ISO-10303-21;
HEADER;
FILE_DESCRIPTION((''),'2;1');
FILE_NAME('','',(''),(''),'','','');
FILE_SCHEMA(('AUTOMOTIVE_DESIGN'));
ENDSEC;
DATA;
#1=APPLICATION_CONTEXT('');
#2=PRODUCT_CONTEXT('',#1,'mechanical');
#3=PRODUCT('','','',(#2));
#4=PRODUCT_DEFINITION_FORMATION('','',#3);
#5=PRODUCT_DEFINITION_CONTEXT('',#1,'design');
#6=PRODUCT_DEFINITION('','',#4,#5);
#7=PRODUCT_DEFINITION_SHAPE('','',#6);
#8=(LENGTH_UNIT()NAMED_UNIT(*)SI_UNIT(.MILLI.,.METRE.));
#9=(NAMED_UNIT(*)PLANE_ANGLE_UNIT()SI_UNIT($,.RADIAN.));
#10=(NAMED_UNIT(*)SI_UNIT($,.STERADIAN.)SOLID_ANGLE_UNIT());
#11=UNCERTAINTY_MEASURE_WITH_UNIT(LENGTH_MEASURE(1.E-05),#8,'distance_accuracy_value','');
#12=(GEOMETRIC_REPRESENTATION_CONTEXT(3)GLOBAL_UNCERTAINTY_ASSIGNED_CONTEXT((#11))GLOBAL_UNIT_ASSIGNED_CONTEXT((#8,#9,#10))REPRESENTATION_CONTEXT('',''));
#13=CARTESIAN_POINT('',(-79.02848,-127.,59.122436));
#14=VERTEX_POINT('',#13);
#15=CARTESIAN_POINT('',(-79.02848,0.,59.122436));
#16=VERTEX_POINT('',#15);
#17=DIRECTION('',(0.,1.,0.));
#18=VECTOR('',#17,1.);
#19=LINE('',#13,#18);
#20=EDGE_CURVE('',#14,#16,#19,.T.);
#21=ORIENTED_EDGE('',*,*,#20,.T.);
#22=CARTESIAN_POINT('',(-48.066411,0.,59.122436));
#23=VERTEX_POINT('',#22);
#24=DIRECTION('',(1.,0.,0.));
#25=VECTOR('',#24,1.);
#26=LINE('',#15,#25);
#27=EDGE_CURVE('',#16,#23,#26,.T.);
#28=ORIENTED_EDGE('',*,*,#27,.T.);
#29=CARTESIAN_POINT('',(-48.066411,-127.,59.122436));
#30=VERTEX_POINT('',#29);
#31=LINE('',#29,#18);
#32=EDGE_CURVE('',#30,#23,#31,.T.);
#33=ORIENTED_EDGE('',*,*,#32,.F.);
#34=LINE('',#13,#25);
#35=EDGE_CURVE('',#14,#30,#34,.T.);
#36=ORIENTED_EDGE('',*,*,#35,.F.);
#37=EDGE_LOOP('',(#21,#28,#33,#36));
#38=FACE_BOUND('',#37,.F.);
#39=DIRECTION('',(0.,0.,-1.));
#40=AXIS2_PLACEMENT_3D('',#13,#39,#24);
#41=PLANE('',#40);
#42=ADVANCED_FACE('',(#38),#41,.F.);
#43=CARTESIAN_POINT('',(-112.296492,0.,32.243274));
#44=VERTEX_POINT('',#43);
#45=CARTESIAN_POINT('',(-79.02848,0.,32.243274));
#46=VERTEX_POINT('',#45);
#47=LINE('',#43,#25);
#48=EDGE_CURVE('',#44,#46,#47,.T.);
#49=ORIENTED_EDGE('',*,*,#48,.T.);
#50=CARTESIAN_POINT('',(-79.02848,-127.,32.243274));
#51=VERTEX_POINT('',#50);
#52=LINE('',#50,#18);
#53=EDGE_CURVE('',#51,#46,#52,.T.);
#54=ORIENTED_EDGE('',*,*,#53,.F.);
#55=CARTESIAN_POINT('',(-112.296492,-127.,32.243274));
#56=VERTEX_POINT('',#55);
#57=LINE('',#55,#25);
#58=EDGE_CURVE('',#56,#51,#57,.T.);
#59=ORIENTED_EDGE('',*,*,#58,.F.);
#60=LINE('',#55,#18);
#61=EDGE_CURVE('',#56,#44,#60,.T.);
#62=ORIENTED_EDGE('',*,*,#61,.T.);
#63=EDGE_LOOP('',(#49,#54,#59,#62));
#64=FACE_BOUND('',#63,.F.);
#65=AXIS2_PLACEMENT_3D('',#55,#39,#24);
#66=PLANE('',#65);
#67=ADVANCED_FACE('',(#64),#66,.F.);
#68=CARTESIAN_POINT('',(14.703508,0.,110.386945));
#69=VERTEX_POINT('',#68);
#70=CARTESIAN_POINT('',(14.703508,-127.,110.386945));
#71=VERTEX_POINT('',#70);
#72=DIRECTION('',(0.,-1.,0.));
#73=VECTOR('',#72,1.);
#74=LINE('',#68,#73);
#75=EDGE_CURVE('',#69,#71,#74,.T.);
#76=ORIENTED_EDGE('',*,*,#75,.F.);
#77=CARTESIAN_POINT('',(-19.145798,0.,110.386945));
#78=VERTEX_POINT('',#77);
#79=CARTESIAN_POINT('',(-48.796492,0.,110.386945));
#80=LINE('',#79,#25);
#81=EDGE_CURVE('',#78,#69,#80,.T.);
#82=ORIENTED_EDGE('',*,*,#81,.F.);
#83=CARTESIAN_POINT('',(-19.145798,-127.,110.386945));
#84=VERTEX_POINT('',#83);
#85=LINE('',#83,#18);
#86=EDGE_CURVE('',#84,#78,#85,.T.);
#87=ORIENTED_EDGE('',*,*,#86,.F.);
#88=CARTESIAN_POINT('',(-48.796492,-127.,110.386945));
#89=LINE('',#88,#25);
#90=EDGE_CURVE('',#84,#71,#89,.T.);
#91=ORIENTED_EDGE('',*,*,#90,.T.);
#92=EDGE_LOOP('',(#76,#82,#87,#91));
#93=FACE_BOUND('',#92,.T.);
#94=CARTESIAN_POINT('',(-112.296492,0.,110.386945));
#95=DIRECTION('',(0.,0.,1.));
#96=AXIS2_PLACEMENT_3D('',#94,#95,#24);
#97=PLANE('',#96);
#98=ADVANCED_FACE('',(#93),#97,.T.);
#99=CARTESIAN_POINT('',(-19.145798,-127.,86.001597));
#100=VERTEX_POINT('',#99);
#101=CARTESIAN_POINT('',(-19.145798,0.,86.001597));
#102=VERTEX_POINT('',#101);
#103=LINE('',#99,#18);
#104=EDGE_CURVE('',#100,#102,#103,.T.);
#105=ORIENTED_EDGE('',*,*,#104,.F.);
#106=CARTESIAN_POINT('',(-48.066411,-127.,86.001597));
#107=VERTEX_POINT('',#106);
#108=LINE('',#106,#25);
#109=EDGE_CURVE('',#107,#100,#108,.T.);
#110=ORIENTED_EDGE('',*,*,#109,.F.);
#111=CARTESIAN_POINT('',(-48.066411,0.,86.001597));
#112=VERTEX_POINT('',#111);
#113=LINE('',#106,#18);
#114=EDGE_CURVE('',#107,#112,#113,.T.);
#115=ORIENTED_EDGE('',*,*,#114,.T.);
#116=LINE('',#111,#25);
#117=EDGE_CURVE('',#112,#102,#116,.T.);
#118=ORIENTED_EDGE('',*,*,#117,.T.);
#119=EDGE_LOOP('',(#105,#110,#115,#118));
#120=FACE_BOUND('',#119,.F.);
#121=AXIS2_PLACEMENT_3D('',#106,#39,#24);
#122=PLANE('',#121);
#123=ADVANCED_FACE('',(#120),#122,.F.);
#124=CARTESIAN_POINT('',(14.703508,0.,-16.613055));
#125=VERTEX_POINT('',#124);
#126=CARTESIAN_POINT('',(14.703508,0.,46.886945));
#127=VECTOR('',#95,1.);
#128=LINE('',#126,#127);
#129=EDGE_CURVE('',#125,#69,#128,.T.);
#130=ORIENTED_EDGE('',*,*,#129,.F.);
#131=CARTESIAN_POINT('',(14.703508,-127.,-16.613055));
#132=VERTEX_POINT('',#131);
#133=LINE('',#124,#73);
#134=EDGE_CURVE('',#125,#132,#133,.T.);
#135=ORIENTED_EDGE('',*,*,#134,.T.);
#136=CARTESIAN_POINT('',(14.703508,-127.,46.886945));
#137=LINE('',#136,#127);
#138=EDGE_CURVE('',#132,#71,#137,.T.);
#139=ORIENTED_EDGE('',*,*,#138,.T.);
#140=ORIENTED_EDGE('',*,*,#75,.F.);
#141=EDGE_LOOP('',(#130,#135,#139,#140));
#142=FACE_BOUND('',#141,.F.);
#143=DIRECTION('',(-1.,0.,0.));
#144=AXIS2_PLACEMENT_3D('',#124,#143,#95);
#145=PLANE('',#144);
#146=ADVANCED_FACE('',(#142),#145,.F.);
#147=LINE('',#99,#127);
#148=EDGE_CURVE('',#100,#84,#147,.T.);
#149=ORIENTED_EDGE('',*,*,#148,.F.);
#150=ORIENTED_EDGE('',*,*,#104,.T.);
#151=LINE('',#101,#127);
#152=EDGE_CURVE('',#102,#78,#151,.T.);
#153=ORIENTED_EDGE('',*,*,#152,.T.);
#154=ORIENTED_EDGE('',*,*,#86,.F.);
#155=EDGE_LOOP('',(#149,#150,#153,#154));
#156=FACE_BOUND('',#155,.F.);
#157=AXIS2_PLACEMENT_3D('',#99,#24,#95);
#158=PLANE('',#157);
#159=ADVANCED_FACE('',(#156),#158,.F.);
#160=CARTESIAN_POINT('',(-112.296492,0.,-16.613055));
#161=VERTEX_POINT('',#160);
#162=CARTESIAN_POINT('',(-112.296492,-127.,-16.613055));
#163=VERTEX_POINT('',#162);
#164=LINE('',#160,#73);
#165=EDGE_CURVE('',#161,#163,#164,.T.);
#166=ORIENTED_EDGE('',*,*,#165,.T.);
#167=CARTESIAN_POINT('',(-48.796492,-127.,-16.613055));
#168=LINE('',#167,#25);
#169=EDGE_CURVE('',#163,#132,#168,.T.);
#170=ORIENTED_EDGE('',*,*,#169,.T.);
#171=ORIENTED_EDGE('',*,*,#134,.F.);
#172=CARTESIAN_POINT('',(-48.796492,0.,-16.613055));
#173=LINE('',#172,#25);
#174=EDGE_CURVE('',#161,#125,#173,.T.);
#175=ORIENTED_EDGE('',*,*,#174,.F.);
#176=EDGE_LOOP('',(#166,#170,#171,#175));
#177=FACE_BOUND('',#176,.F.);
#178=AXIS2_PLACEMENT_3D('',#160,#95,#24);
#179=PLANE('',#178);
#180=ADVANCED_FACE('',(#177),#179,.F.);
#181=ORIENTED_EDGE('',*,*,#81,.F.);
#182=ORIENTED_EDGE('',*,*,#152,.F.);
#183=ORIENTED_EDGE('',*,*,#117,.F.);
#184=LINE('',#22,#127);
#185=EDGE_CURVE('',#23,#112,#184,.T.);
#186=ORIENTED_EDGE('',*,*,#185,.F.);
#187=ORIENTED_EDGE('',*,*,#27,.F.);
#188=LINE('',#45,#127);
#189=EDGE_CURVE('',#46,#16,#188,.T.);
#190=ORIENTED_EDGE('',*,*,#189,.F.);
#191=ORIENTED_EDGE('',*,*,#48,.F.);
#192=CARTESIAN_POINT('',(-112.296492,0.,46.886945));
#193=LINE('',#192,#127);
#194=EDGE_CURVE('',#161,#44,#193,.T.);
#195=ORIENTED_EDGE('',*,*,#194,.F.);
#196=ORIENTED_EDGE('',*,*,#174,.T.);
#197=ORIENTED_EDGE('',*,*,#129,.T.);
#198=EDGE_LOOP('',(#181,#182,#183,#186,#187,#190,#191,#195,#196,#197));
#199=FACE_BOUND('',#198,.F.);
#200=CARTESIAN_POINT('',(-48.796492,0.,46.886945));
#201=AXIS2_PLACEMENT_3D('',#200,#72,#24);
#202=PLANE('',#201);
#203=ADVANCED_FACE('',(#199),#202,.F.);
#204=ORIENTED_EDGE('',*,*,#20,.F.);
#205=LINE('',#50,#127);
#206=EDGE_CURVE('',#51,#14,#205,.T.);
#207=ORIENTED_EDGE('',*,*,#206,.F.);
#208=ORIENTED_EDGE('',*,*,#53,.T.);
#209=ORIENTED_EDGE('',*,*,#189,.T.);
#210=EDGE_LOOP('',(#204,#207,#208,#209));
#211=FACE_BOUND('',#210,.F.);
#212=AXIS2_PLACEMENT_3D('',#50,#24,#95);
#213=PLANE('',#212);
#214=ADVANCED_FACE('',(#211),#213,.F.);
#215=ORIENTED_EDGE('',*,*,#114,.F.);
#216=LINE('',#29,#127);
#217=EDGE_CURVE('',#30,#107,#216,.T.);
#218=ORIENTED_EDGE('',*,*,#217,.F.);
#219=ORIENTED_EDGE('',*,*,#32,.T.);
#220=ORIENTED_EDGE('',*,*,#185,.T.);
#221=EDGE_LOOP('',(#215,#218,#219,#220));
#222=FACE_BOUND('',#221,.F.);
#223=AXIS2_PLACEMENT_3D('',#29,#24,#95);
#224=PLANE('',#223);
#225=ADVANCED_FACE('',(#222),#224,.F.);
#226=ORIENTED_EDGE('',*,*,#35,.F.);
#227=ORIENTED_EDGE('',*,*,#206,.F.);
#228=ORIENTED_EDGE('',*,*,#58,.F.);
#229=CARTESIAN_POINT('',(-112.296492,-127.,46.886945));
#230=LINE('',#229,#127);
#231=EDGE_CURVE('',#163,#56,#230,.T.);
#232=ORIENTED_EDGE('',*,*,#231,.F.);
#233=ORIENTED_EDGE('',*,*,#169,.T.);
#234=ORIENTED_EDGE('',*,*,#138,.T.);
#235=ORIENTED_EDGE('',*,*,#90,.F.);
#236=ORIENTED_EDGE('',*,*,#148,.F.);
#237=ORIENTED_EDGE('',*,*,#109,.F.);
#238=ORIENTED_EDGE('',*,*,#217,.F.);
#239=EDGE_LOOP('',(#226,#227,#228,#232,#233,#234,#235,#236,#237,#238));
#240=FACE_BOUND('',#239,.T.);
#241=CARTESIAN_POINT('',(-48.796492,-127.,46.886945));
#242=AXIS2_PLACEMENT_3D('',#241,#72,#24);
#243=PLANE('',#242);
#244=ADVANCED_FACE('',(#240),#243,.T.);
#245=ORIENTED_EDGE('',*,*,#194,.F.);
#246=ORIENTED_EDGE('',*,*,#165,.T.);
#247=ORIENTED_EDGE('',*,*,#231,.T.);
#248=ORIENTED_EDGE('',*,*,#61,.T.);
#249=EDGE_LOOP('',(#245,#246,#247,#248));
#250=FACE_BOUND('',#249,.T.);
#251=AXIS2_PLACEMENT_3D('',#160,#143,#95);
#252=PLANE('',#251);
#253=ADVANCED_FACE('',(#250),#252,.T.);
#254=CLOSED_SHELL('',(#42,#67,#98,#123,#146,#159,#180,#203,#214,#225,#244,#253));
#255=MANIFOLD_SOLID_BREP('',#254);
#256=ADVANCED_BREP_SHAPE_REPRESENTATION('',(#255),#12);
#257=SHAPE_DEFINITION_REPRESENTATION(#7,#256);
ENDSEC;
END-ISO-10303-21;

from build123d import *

# Parameters (mm, degrees)
F0_W     = 127
F0_H     = 127
F1_DEPTH = 127
F3_DEPTH = 127


with BuildPart() as f1:
    # F0 (on Front) → F1 (new body)
    with BuildSketch(Plane.XZ):
        with Locations((-48.796492, 46.886945)):
            Rectangle(F0_W, F0_H)
    extrude(amount=F1_DEPTH)

    # F2 (on face) → F3 (cut)
    with BuildSketch(Plane.XZ.offset(127)):
        Polygon((-112.296492, 110.386945), (-112.296492, 32.243274), (-79.02848, 32.243274), (-79.02848, 59.122436), (-48.066411, 59.122436), (-48.066411, 86.001597), (-19.145798, 86.001597), (-19.145798, 110.386945), align=None)
    extrude(amount=-F3_DEPTH, mode=Mode.SUBTRACT)


solid = f1.part
